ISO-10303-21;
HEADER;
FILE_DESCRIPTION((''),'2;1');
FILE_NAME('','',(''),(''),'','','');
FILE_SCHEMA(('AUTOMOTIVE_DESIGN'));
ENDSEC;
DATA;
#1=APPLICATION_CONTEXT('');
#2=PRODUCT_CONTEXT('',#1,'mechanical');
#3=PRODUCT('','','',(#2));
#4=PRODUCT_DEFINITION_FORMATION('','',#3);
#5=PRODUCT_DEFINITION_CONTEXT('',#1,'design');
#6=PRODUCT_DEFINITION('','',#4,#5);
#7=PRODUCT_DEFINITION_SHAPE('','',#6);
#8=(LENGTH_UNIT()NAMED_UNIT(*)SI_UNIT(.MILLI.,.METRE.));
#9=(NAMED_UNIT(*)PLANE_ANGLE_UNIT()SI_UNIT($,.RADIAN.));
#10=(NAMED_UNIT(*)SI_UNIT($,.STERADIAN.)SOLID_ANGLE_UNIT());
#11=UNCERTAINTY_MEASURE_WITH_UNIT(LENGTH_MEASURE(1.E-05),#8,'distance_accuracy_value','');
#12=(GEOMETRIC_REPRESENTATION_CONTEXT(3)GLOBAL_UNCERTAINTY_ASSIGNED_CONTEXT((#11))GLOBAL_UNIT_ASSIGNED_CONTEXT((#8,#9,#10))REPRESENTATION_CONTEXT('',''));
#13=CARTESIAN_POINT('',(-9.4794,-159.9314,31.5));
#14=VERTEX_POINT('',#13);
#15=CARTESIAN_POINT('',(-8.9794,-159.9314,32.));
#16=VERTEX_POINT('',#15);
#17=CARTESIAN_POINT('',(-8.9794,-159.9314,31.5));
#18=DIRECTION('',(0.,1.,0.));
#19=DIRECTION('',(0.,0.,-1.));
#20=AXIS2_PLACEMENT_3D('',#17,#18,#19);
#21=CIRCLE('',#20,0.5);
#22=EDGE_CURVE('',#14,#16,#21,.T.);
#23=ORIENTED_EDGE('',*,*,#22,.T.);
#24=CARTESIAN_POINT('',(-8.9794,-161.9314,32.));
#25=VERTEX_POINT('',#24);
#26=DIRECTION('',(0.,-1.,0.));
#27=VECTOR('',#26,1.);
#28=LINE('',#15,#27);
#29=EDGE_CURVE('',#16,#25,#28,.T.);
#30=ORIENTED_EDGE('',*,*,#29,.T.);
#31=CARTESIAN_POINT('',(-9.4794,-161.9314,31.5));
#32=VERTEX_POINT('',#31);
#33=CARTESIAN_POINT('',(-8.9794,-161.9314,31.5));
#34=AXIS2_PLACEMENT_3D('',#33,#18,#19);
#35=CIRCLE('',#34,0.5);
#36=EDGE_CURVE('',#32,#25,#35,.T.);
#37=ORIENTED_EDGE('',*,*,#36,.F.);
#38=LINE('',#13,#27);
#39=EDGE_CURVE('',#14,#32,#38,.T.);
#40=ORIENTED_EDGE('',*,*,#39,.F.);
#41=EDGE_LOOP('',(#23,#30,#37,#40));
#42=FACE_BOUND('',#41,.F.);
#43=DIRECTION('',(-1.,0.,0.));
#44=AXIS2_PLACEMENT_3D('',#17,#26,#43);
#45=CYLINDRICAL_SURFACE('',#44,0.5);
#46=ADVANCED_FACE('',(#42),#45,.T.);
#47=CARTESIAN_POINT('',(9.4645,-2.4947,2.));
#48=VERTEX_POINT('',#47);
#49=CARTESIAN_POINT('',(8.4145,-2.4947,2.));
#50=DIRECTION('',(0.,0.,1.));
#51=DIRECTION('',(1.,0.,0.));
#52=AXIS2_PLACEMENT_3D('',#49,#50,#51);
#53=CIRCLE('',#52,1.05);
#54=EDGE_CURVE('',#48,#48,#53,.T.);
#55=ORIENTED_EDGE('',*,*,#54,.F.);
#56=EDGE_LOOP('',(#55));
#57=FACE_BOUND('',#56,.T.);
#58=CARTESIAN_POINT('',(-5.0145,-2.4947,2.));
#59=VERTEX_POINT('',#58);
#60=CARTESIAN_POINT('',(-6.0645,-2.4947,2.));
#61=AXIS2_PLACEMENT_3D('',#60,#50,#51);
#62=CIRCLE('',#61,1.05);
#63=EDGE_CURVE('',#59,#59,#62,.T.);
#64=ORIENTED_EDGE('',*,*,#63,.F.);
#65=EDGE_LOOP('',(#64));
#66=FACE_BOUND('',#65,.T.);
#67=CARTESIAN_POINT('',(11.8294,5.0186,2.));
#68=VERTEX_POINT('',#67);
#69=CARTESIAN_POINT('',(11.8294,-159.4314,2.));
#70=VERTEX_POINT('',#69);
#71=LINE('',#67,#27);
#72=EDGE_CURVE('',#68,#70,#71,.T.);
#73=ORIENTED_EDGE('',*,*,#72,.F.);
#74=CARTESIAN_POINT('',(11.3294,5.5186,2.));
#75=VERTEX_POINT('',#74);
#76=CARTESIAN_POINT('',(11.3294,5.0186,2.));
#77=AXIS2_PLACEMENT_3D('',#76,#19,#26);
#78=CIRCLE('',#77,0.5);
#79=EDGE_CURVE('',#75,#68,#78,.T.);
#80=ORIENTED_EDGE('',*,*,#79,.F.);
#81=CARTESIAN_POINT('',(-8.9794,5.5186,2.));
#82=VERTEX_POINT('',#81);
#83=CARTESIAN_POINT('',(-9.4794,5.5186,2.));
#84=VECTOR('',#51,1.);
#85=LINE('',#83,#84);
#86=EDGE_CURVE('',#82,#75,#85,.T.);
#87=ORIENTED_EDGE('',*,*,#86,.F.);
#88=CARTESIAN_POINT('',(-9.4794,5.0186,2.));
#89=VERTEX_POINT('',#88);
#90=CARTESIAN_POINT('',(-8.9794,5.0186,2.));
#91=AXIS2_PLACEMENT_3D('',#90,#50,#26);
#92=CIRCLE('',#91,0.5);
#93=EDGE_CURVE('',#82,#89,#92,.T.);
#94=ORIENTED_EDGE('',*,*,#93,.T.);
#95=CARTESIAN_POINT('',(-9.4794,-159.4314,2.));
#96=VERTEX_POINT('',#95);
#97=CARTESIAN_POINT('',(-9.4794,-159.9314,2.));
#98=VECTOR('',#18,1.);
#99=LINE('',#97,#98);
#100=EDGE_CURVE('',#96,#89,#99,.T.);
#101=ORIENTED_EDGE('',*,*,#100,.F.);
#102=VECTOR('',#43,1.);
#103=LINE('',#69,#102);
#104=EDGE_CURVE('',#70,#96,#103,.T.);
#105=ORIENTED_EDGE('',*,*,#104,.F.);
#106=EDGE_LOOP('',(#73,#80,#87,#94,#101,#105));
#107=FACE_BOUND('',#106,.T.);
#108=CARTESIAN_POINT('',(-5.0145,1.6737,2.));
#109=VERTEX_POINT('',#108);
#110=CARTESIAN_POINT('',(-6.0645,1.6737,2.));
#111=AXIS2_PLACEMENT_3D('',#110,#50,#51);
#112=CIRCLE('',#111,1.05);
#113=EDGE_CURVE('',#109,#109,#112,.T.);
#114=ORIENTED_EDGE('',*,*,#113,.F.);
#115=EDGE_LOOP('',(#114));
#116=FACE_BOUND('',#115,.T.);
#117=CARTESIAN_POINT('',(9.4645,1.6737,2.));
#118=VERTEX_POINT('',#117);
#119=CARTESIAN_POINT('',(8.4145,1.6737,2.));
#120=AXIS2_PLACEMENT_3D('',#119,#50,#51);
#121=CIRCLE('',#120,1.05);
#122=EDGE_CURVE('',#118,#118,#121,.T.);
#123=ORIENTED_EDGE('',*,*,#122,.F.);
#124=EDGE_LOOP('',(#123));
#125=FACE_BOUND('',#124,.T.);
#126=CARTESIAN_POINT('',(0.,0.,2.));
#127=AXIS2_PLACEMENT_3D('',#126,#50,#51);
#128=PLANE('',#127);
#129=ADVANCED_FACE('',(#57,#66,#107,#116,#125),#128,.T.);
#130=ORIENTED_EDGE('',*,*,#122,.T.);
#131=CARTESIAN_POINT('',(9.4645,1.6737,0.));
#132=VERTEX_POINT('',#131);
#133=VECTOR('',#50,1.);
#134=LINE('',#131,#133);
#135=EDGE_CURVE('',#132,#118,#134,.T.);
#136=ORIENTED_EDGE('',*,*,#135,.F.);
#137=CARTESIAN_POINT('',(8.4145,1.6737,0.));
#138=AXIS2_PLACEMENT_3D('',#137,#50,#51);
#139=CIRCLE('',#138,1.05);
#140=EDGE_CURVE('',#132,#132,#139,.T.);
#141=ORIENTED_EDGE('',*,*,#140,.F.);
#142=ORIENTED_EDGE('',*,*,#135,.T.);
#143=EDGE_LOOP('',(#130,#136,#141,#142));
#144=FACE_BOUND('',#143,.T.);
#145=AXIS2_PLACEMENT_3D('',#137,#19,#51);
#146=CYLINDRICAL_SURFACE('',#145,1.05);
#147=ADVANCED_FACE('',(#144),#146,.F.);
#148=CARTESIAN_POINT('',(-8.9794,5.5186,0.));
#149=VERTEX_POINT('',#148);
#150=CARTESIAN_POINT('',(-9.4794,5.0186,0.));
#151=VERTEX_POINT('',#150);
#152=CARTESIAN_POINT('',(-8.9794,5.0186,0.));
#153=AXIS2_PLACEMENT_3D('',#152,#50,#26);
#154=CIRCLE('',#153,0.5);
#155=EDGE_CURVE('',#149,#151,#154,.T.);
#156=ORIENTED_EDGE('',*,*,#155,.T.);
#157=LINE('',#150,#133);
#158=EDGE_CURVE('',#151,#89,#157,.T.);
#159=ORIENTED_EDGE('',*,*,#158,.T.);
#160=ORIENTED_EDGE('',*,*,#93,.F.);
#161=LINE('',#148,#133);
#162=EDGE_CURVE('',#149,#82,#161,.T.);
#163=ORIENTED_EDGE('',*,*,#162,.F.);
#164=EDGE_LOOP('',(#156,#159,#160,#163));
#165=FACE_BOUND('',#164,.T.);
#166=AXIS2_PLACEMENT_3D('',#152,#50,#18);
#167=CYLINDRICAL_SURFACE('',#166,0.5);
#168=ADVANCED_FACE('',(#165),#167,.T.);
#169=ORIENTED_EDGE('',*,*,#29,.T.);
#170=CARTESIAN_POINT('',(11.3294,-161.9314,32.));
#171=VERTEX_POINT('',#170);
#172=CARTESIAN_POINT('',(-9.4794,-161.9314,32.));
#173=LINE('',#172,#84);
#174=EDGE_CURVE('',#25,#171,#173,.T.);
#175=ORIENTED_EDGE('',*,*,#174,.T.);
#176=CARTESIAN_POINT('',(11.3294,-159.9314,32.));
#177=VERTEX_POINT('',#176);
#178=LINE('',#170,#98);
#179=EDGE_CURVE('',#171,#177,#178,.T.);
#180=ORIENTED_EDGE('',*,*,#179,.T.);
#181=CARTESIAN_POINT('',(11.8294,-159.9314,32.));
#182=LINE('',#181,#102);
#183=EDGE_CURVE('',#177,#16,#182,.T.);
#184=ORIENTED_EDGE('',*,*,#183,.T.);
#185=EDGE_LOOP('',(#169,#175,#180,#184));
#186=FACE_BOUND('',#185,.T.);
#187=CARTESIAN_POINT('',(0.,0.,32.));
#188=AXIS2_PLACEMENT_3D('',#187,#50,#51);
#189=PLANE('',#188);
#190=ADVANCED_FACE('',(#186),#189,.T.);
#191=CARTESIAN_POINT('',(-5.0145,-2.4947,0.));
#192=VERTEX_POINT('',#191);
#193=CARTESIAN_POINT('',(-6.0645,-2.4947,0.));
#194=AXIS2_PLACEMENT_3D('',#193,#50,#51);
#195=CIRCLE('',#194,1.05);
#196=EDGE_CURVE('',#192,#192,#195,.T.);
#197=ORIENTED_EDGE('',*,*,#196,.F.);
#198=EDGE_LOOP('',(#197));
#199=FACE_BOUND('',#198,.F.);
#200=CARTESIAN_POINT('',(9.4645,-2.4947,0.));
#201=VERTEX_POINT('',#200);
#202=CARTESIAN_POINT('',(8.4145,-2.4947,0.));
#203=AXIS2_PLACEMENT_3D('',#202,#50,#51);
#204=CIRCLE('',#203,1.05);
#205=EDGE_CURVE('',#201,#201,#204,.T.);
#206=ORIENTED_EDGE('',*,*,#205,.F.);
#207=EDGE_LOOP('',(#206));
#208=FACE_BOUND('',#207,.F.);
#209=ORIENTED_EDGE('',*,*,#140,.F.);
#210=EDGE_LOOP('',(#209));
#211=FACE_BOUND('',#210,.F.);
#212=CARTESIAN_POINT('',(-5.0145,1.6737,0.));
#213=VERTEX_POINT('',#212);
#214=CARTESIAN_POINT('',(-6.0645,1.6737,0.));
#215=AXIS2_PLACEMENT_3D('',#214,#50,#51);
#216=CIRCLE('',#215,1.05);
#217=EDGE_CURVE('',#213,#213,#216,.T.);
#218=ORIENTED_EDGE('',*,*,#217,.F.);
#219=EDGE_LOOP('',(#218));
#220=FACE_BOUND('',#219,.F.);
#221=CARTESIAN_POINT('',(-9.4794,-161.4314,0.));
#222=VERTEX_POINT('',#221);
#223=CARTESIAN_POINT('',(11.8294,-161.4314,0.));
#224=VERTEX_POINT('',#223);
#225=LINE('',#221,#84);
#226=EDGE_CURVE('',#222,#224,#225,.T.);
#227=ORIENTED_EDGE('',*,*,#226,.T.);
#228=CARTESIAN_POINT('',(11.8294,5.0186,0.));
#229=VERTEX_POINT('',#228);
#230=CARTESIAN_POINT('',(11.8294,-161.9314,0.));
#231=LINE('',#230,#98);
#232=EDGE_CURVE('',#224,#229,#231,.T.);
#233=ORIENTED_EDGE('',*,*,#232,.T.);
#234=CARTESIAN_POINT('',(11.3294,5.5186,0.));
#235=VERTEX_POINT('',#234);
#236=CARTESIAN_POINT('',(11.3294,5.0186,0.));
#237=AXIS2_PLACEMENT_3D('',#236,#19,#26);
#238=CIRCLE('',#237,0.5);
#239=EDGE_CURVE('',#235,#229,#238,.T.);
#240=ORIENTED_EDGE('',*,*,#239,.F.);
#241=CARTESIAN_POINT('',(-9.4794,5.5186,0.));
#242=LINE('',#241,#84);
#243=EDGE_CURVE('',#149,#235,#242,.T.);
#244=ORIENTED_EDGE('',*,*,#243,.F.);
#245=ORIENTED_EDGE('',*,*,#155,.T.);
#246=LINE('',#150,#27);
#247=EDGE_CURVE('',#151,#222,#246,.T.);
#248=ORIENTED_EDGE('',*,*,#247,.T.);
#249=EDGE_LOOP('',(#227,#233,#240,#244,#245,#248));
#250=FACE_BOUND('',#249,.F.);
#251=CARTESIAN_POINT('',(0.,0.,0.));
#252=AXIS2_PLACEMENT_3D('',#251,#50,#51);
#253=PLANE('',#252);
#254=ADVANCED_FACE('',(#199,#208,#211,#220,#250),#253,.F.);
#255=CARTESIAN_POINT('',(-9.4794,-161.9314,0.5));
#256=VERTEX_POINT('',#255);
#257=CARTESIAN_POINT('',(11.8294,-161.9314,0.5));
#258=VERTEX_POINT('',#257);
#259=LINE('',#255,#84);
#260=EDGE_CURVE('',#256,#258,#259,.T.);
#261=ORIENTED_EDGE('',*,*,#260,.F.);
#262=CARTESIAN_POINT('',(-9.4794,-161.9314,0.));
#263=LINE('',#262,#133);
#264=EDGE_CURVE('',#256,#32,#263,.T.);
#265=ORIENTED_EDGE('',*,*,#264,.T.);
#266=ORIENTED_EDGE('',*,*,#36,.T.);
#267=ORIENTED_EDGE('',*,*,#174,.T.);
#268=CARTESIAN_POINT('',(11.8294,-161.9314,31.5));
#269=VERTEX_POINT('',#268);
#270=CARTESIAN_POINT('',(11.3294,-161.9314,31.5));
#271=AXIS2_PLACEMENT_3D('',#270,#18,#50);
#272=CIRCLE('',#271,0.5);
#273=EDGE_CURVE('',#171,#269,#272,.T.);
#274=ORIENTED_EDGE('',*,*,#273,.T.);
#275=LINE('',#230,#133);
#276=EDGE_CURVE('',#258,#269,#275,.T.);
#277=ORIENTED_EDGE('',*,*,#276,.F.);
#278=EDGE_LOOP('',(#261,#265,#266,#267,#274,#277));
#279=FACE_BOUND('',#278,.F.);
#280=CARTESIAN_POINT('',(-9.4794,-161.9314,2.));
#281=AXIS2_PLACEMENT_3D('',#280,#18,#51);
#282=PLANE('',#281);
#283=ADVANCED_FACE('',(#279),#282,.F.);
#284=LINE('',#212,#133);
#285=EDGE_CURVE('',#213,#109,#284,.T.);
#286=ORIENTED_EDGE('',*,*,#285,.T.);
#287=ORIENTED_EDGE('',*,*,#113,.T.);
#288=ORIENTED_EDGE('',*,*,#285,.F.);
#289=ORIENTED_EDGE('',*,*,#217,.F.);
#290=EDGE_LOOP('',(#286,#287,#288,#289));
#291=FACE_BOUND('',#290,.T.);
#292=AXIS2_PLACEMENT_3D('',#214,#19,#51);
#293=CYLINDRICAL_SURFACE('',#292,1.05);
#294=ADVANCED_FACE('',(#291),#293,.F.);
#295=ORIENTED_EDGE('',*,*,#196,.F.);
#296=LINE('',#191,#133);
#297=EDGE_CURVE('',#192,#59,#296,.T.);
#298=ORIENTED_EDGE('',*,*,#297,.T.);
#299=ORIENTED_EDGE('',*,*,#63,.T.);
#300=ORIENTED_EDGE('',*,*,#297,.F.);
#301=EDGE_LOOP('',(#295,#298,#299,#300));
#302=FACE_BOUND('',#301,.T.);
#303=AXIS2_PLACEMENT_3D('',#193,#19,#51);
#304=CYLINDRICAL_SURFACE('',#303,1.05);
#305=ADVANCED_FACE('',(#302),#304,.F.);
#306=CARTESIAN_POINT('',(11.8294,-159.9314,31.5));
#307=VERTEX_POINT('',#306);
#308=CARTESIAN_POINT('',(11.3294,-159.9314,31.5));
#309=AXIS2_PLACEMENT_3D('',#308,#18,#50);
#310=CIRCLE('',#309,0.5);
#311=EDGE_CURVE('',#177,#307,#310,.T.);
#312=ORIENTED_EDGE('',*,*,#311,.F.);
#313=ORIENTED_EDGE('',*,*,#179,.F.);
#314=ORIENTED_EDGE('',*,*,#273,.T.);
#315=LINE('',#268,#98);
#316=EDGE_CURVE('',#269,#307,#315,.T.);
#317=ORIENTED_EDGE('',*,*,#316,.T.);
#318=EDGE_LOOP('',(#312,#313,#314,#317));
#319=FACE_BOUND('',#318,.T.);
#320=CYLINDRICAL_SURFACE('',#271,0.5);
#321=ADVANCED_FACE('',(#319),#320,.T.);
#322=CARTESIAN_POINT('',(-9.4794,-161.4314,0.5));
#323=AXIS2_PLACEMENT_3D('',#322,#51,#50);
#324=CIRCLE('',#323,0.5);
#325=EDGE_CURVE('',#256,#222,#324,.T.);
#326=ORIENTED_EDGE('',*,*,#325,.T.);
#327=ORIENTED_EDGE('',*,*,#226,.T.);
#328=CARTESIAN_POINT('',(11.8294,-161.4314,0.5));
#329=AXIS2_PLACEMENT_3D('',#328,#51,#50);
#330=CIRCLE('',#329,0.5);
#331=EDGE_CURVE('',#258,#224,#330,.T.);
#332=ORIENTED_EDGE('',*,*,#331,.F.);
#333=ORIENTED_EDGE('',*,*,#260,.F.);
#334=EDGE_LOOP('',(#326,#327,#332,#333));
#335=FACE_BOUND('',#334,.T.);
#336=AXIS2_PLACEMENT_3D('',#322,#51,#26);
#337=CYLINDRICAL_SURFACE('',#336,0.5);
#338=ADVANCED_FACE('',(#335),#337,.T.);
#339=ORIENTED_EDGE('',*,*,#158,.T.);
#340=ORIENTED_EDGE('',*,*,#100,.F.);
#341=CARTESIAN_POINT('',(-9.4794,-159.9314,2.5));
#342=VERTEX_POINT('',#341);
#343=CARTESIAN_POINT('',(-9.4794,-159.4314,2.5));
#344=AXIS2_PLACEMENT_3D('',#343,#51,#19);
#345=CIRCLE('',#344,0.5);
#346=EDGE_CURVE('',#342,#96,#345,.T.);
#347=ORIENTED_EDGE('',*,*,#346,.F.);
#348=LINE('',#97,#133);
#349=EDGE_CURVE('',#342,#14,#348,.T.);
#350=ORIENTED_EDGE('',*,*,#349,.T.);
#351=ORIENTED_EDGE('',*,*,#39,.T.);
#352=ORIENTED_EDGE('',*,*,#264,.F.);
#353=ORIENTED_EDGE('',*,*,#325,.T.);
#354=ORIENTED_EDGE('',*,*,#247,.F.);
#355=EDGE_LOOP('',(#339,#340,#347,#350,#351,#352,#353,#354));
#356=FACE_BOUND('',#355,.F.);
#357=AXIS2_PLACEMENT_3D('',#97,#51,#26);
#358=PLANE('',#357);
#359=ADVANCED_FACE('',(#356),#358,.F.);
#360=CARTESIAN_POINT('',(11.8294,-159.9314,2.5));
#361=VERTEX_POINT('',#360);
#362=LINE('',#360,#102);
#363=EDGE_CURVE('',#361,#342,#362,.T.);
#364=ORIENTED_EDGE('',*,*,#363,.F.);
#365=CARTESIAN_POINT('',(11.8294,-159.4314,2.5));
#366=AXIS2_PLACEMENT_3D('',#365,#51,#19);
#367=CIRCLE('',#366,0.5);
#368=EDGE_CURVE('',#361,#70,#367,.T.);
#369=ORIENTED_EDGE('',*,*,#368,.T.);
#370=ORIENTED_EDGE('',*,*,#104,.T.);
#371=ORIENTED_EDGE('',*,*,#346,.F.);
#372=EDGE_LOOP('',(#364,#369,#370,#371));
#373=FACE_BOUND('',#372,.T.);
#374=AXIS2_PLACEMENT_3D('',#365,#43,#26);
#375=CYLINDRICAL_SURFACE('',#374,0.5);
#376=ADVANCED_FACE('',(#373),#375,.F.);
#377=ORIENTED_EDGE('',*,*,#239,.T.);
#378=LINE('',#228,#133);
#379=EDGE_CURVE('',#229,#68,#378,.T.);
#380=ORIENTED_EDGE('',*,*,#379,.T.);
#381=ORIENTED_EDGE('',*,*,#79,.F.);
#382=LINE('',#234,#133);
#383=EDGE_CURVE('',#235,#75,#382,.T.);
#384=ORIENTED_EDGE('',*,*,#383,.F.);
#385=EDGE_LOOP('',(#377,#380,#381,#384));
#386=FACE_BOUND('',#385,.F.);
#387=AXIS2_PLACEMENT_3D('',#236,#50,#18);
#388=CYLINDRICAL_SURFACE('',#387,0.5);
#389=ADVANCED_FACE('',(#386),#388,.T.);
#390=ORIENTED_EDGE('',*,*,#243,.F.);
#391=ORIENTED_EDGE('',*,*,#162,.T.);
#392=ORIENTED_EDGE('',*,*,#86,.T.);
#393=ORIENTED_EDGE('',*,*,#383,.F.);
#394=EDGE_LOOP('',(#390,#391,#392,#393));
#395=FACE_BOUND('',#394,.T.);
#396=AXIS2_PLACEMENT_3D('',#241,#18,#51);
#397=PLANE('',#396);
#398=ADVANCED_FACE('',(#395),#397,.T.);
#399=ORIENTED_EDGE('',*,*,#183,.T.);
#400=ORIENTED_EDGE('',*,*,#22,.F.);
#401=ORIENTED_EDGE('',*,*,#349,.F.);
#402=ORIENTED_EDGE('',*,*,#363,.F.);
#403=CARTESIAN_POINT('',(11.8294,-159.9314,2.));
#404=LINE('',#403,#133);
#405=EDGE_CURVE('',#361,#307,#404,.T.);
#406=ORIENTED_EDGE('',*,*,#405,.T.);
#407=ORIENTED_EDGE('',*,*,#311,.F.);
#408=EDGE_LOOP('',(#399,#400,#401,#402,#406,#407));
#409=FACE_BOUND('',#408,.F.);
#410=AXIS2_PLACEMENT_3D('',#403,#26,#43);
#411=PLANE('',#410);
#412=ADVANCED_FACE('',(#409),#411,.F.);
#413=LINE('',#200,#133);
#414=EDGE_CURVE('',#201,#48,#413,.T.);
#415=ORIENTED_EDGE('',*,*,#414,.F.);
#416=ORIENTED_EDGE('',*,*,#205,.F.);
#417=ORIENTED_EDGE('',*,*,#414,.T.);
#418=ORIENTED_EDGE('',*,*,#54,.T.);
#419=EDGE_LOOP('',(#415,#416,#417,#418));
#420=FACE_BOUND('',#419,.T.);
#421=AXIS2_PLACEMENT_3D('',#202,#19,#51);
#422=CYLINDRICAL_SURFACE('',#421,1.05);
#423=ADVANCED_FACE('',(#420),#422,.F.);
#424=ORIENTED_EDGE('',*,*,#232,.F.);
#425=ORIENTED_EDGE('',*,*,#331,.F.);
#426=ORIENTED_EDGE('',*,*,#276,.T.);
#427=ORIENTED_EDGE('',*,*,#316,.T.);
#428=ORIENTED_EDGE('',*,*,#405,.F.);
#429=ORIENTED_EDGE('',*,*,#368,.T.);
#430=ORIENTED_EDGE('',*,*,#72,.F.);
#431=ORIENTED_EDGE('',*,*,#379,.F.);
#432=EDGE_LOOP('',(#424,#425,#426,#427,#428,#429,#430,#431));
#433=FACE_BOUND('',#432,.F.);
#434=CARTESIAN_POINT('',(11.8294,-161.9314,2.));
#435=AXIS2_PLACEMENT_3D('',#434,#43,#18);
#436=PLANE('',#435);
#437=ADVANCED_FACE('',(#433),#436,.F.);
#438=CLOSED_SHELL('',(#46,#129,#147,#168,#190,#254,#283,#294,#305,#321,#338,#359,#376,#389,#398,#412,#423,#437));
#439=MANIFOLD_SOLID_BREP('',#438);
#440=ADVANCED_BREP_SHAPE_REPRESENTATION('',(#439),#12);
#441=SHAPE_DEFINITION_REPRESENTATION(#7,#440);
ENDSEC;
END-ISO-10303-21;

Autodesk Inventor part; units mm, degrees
ref_plane "YZ Plane" through (0, 0, 0) normal (1, 0, 0) x (0, 1, 0)
ref_plane "XZ Plane" through (0, 0, 0) normal (0, 1, 0) x (-1, 0, 0)
ref_plane "XY Plane" through (0, 0, 0) normal (0, 0, 1) x (1, 0, 0)
sketch "Sketch2" plane through (0, 0, 0) normal (0, 0, 1) x (1, 0, 0)
  line L0 (-9.4794, 5.5186) -> (11.8294, 5.5186)
  circle A0 centre (-6.0645, -2.4947) radius 1.05
  circle A1 centre (8.4145, -2.4947) radius 1.05
  circle A2 centre (8.4145, 1.6737) radius 1.05
  circle A3 centre (-6.0645, 1.6737) radius 1.05
  line L1 (-9.4794, 5.5186) -> (-9.4794, -157.7914)
  line L2 (11.8294, -157.7914) -> (11.8294, 5.5186)
  line L3 (-9.4794, -157.7914) -> (-9.4794, -161.9314)
  line L4 (-9.4794, -161.9314) -> (11.8294, -161.9314)
  line L5 (11.8294, -161.9314) -> (11.8294, -157.7914)
  point P0 (0, 0)
  dimension "d20" = 163.31
  dimension "d31" = 4.14
  dimension "d37" = 2.1
  dimension "d38" = 2.1
  dimension "d39" = 2.1
  dimension "d40" = 2.1
extrude "Extrusion1" add sketch "Sketch2" along normal blind 2
fillet "Fillet6" radius 0.5 2 edges at (11.8294, 5.5186, 1) (-9.4794, 5.5186, 1)
sketch "Sketch9" plane through (0, 0, 2) normal (0, 0, 1) x (1, 0, 0)
  line L0 (-9.4794, -161.9314) -> (11.8294, -161.9314) projected
  line L1 (-9.4794, -161.9314) -> (11.8294, -161.9314)
  line L2 (11.8294, -161.9314) -> (11.8294, -159.9314)
  line L3 (11.8294, -159.9314) -> (-9.4794, -159.9314)
  line L4 (-9.4794, -159.9314) -> (-9.4794, -161.9314)
  point P0 (0, 0)
  dimension "d32" = 2
extrude "Extrusion7" add sketch "Sketch9" along normal blind 30
sketch "Sketch10" plane through (-9.4794, -159.9314, 2) normal (0, 1, 0) x (1, 0, 0)
  point P0 (9.4794, 2)
fillet "Fillet10" radius 0.5 2 edges at (1.175, -159.9314, 2) (1.175, -161.9314, 0)
fillet "Fillet11" radius 0.5 2 edges at (-9.4794, -160.9314, 32) (11.8294, -160.9314, 32)
properties part number "Bracket Holder" material "Aluminum 6061"
